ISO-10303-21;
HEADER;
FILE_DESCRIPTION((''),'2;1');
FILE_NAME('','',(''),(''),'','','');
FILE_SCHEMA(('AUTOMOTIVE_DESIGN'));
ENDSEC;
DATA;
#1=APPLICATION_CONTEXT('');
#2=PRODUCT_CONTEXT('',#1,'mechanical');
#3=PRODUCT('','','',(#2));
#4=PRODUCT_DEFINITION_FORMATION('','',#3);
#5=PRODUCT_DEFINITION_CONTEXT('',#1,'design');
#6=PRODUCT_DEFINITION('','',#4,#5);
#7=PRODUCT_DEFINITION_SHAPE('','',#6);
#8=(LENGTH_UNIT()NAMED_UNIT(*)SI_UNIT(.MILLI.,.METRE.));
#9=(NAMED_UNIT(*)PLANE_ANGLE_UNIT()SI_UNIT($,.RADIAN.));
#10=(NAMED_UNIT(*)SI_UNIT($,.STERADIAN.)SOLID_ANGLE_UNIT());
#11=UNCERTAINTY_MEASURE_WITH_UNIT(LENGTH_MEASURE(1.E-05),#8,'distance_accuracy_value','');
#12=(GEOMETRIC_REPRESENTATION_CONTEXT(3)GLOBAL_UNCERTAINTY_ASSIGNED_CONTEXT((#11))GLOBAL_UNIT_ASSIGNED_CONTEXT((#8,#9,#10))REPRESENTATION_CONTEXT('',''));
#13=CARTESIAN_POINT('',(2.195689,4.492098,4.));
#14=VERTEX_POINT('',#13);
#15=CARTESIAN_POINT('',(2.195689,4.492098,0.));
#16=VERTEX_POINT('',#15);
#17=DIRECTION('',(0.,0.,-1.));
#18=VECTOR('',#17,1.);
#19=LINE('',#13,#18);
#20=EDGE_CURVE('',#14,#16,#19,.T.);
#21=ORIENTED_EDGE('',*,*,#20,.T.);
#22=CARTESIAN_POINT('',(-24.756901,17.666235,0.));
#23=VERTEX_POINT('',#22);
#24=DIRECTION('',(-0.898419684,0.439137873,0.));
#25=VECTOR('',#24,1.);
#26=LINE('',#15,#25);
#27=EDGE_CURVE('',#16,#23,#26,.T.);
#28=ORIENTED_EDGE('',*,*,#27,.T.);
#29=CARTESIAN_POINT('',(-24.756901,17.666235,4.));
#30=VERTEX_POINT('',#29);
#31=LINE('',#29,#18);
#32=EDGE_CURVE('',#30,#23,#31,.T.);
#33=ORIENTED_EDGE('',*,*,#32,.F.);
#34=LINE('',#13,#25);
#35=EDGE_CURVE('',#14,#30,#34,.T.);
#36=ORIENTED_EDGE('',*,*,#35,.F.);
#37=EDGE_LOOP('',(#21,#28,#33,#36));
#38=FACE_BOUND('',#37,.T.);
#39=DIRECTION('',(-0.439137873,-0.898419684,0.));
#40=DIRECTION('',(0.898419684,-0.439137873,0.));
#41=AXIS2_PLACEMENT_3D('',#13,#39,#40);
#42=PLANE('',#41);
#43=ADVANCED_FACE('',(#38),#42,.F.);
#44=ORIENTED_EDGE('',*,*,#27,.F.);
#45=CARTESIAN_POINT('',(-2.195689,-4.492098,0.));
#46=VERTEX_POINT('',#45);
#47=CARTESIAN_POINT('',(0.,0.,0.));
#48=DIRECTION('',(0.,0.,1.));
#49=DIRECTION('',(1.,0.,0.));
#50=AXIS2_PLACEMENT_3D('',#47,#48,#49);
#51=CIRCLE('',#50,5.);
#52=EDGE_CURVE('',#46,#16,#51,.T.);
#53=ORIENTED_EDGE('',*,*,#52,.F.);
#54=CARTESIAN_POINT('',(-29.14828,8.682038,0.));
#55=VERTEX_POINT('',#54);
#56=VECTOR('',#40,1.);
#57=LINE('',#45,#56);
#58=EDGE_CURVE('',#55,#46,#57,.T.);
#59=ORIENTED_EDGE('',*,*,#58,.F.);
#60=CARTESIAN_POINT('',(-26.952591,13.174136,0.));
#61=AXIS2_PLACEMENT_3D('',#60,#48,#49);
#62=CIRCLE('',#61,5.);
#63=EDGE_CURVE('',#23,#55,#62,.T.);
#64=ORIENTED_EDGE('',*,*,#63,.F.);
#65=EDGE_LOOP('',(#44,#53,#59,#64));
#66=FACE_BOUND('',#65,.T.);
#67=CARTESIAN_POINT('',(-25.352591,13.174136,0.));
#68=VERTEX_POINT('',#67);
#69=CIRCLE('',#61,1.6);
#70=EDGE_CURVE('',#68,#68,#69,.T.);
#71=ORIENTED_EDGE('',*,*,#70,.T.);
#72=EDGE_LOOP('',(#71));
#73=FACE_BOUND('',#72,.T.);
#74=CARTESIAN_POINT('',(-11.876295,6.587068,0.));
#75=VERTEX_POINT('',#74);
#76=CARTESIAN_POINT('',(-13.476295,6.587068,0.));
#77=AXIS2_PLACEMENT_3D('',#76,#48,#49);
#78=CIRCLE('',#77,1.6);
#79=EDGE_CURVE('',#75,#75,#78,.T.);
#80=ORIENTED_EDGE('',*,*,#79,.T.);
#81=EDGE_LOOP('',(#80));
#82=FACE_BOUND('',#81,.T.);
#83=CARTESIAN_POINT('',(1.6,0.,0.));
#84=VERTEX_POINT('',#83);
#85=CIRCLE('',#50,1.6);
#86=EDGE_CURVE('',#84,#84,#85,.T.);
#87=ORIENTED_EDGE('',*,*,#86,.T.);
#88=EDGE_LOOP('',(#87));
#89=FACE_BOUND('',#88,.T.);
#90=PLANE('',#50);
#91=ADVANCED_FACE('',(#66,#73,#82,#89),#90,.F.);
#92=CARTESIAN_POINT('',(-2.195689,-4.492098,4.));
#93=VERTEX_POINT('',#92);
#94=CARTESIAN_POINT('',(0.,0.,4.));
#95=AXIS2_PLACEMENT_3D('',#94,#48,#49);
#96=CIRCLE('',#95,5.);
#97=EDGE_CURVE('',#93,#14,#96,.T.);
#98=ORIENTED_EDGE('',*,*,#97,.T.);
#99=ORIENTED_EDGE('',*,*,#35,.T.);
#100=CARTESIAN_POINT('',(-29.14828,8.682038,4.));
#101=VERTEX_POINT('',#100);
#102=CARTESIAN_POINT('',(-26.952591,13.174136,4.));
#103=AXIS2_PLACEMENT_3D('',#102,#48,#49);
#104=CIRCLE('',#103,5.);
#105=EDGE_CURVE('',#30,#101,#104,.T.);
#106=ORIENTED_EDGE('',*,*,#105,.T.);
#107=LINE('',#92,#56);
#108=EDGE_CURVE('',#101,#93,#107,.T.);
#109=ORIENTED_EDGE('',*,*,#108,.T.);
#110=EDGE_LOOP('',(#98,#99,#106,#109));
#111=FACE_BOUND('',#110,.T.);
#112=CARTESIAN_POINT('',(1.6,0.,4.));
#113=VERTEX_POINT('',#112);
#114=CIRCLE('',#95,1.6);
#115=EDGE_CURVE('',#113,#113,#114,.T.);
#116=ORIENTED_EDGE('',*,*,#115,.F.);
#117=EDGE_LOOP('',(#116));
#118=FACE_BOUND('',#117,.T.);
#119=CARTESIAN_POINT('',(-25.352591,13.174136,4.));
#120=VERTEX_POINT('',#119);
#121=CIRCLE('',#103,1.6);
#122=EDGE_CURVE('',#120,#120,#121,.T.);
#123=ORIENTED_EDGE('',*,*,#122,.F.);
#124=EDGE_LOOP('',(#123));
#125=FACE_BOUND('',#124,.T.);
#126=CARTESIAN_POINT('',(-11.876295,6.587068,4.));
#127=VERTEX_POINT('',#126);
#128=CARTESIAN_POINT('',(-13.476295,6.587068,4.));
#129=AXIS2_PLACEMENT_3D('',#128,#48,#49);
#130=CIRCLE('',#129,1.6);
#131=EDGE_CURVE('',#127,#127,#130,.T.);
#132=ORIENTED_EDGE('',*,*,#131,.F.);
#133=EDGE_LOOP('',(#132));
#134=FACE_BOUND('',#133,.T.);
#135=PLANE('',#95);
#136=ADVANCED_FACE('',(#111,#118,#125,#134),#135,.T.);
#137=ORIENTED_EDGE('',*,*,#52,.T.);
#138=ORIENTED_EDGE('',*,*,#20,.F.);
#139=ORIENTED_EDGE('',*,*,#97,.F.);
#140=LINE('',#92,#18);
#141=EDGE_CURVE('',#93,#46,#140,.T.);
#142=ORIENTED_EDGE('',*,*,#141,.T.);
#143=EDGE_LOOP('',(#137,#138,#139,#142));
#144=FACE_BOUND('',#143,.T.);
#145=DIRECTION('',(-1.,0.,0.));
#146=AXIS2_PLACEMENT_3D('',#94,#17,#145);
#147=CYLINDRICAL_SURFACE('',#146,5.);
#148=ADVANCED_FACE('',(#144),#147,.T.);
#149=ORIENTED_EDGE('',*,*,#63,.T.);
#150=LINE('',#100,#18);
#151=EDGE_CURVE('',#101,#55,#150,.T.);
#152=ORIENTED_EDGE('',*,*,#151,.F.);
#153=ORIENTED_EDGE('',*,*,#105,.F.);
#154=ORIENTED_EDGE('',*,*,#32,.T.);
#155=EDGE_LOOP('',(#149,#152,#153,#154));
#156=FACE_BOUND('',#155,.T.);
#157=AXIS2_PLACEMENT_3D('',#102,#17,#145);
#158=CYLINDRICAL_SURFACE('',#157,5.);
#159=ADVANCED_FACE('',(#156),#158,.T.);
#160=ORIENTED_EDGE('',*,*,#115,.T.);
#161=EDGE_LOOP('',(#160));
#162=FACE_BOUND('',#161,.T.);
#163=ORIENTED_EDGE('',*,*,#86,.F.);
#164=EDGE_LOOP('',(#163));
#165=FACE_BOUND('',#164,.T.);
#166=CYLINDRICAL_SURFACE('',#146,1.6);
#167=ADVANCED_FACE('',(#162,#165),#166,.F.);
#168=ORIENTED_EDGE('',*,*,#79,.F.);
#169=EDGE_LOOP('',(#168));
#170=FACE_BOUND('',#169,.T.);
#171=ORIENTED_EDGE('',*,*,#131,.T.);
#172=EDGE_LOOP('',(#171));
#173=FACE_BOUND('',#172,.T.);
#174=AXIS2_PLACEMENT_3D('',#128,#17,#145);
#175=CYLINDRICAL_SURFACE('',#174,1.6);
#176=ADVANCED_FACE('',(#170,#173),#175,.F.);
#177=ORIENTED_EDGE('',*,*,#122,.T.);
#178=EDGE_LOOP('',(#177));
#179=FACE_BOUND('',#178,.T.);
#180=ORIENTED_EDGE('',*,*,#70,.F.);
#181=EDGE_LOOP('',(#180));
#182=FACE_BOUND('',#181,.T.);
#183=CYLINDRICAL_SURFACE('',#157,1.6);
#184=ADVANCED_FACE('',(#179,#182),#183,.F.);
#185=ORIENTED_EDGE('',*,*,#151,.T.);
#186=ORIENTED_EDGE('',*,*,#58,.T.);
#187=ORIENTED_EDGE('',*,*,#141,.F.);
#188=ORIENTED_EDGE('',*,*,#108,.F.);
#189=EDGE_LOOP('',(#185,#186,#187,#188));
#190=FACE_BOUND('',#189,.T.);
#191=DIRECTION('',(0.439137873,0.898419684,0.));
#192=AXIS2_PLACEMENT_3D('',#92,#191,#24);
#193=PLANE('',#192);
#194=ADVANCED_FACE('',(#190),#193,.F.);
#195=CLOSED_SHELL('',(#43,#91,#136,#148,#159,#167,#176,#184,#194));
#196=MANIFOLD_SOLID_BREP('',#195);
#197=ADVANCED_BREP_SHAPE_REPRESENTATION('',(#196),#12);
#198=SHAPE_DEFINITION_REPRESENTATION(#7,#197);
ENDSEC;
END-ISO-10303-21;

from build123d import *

# Parameters (mm, degrees)
SKETCH1_R           = 1.6
BOSS_EXTRUDE1_DEPTH = 4


with BuildPart() as part:
    # Sketch1 → Boss-Extrude1 (new body)
    with BuildSketch(Plane.XY):
        with BuildLine():
            Line((-2.195689363, -4.492098421), (-29.148279888, 8.682037755))
            ThreePointArc((-29.148279888, 8.682037755), (-31.444688946, 15.369825539), (-24.756901162, 17.666234597))
            Line((-24.756901162, 17.666234597), (2.195689363, 4.492098421))
            ThreePointArc((2.195689363, 4.492098421), (4.492098421, -2.195689363), (-2.195689363, -4.492098421))
        make_face()
        with Locations((-26.952590525, 13.174136176)):
            Circle(SKETCH1_R, mode=Mode.SUBTRACT)
        Circle(SKETCH1_R, mode=Mode.SUBTRACT)
        with Locations((-13.476295263, 6.587068088)):
            Circle(SKETCH1_R, mode=Mode.SUBTRACT)
    extrude(amount=BOSS_EXTRUDE1_DEPTH)


solid = part.part
